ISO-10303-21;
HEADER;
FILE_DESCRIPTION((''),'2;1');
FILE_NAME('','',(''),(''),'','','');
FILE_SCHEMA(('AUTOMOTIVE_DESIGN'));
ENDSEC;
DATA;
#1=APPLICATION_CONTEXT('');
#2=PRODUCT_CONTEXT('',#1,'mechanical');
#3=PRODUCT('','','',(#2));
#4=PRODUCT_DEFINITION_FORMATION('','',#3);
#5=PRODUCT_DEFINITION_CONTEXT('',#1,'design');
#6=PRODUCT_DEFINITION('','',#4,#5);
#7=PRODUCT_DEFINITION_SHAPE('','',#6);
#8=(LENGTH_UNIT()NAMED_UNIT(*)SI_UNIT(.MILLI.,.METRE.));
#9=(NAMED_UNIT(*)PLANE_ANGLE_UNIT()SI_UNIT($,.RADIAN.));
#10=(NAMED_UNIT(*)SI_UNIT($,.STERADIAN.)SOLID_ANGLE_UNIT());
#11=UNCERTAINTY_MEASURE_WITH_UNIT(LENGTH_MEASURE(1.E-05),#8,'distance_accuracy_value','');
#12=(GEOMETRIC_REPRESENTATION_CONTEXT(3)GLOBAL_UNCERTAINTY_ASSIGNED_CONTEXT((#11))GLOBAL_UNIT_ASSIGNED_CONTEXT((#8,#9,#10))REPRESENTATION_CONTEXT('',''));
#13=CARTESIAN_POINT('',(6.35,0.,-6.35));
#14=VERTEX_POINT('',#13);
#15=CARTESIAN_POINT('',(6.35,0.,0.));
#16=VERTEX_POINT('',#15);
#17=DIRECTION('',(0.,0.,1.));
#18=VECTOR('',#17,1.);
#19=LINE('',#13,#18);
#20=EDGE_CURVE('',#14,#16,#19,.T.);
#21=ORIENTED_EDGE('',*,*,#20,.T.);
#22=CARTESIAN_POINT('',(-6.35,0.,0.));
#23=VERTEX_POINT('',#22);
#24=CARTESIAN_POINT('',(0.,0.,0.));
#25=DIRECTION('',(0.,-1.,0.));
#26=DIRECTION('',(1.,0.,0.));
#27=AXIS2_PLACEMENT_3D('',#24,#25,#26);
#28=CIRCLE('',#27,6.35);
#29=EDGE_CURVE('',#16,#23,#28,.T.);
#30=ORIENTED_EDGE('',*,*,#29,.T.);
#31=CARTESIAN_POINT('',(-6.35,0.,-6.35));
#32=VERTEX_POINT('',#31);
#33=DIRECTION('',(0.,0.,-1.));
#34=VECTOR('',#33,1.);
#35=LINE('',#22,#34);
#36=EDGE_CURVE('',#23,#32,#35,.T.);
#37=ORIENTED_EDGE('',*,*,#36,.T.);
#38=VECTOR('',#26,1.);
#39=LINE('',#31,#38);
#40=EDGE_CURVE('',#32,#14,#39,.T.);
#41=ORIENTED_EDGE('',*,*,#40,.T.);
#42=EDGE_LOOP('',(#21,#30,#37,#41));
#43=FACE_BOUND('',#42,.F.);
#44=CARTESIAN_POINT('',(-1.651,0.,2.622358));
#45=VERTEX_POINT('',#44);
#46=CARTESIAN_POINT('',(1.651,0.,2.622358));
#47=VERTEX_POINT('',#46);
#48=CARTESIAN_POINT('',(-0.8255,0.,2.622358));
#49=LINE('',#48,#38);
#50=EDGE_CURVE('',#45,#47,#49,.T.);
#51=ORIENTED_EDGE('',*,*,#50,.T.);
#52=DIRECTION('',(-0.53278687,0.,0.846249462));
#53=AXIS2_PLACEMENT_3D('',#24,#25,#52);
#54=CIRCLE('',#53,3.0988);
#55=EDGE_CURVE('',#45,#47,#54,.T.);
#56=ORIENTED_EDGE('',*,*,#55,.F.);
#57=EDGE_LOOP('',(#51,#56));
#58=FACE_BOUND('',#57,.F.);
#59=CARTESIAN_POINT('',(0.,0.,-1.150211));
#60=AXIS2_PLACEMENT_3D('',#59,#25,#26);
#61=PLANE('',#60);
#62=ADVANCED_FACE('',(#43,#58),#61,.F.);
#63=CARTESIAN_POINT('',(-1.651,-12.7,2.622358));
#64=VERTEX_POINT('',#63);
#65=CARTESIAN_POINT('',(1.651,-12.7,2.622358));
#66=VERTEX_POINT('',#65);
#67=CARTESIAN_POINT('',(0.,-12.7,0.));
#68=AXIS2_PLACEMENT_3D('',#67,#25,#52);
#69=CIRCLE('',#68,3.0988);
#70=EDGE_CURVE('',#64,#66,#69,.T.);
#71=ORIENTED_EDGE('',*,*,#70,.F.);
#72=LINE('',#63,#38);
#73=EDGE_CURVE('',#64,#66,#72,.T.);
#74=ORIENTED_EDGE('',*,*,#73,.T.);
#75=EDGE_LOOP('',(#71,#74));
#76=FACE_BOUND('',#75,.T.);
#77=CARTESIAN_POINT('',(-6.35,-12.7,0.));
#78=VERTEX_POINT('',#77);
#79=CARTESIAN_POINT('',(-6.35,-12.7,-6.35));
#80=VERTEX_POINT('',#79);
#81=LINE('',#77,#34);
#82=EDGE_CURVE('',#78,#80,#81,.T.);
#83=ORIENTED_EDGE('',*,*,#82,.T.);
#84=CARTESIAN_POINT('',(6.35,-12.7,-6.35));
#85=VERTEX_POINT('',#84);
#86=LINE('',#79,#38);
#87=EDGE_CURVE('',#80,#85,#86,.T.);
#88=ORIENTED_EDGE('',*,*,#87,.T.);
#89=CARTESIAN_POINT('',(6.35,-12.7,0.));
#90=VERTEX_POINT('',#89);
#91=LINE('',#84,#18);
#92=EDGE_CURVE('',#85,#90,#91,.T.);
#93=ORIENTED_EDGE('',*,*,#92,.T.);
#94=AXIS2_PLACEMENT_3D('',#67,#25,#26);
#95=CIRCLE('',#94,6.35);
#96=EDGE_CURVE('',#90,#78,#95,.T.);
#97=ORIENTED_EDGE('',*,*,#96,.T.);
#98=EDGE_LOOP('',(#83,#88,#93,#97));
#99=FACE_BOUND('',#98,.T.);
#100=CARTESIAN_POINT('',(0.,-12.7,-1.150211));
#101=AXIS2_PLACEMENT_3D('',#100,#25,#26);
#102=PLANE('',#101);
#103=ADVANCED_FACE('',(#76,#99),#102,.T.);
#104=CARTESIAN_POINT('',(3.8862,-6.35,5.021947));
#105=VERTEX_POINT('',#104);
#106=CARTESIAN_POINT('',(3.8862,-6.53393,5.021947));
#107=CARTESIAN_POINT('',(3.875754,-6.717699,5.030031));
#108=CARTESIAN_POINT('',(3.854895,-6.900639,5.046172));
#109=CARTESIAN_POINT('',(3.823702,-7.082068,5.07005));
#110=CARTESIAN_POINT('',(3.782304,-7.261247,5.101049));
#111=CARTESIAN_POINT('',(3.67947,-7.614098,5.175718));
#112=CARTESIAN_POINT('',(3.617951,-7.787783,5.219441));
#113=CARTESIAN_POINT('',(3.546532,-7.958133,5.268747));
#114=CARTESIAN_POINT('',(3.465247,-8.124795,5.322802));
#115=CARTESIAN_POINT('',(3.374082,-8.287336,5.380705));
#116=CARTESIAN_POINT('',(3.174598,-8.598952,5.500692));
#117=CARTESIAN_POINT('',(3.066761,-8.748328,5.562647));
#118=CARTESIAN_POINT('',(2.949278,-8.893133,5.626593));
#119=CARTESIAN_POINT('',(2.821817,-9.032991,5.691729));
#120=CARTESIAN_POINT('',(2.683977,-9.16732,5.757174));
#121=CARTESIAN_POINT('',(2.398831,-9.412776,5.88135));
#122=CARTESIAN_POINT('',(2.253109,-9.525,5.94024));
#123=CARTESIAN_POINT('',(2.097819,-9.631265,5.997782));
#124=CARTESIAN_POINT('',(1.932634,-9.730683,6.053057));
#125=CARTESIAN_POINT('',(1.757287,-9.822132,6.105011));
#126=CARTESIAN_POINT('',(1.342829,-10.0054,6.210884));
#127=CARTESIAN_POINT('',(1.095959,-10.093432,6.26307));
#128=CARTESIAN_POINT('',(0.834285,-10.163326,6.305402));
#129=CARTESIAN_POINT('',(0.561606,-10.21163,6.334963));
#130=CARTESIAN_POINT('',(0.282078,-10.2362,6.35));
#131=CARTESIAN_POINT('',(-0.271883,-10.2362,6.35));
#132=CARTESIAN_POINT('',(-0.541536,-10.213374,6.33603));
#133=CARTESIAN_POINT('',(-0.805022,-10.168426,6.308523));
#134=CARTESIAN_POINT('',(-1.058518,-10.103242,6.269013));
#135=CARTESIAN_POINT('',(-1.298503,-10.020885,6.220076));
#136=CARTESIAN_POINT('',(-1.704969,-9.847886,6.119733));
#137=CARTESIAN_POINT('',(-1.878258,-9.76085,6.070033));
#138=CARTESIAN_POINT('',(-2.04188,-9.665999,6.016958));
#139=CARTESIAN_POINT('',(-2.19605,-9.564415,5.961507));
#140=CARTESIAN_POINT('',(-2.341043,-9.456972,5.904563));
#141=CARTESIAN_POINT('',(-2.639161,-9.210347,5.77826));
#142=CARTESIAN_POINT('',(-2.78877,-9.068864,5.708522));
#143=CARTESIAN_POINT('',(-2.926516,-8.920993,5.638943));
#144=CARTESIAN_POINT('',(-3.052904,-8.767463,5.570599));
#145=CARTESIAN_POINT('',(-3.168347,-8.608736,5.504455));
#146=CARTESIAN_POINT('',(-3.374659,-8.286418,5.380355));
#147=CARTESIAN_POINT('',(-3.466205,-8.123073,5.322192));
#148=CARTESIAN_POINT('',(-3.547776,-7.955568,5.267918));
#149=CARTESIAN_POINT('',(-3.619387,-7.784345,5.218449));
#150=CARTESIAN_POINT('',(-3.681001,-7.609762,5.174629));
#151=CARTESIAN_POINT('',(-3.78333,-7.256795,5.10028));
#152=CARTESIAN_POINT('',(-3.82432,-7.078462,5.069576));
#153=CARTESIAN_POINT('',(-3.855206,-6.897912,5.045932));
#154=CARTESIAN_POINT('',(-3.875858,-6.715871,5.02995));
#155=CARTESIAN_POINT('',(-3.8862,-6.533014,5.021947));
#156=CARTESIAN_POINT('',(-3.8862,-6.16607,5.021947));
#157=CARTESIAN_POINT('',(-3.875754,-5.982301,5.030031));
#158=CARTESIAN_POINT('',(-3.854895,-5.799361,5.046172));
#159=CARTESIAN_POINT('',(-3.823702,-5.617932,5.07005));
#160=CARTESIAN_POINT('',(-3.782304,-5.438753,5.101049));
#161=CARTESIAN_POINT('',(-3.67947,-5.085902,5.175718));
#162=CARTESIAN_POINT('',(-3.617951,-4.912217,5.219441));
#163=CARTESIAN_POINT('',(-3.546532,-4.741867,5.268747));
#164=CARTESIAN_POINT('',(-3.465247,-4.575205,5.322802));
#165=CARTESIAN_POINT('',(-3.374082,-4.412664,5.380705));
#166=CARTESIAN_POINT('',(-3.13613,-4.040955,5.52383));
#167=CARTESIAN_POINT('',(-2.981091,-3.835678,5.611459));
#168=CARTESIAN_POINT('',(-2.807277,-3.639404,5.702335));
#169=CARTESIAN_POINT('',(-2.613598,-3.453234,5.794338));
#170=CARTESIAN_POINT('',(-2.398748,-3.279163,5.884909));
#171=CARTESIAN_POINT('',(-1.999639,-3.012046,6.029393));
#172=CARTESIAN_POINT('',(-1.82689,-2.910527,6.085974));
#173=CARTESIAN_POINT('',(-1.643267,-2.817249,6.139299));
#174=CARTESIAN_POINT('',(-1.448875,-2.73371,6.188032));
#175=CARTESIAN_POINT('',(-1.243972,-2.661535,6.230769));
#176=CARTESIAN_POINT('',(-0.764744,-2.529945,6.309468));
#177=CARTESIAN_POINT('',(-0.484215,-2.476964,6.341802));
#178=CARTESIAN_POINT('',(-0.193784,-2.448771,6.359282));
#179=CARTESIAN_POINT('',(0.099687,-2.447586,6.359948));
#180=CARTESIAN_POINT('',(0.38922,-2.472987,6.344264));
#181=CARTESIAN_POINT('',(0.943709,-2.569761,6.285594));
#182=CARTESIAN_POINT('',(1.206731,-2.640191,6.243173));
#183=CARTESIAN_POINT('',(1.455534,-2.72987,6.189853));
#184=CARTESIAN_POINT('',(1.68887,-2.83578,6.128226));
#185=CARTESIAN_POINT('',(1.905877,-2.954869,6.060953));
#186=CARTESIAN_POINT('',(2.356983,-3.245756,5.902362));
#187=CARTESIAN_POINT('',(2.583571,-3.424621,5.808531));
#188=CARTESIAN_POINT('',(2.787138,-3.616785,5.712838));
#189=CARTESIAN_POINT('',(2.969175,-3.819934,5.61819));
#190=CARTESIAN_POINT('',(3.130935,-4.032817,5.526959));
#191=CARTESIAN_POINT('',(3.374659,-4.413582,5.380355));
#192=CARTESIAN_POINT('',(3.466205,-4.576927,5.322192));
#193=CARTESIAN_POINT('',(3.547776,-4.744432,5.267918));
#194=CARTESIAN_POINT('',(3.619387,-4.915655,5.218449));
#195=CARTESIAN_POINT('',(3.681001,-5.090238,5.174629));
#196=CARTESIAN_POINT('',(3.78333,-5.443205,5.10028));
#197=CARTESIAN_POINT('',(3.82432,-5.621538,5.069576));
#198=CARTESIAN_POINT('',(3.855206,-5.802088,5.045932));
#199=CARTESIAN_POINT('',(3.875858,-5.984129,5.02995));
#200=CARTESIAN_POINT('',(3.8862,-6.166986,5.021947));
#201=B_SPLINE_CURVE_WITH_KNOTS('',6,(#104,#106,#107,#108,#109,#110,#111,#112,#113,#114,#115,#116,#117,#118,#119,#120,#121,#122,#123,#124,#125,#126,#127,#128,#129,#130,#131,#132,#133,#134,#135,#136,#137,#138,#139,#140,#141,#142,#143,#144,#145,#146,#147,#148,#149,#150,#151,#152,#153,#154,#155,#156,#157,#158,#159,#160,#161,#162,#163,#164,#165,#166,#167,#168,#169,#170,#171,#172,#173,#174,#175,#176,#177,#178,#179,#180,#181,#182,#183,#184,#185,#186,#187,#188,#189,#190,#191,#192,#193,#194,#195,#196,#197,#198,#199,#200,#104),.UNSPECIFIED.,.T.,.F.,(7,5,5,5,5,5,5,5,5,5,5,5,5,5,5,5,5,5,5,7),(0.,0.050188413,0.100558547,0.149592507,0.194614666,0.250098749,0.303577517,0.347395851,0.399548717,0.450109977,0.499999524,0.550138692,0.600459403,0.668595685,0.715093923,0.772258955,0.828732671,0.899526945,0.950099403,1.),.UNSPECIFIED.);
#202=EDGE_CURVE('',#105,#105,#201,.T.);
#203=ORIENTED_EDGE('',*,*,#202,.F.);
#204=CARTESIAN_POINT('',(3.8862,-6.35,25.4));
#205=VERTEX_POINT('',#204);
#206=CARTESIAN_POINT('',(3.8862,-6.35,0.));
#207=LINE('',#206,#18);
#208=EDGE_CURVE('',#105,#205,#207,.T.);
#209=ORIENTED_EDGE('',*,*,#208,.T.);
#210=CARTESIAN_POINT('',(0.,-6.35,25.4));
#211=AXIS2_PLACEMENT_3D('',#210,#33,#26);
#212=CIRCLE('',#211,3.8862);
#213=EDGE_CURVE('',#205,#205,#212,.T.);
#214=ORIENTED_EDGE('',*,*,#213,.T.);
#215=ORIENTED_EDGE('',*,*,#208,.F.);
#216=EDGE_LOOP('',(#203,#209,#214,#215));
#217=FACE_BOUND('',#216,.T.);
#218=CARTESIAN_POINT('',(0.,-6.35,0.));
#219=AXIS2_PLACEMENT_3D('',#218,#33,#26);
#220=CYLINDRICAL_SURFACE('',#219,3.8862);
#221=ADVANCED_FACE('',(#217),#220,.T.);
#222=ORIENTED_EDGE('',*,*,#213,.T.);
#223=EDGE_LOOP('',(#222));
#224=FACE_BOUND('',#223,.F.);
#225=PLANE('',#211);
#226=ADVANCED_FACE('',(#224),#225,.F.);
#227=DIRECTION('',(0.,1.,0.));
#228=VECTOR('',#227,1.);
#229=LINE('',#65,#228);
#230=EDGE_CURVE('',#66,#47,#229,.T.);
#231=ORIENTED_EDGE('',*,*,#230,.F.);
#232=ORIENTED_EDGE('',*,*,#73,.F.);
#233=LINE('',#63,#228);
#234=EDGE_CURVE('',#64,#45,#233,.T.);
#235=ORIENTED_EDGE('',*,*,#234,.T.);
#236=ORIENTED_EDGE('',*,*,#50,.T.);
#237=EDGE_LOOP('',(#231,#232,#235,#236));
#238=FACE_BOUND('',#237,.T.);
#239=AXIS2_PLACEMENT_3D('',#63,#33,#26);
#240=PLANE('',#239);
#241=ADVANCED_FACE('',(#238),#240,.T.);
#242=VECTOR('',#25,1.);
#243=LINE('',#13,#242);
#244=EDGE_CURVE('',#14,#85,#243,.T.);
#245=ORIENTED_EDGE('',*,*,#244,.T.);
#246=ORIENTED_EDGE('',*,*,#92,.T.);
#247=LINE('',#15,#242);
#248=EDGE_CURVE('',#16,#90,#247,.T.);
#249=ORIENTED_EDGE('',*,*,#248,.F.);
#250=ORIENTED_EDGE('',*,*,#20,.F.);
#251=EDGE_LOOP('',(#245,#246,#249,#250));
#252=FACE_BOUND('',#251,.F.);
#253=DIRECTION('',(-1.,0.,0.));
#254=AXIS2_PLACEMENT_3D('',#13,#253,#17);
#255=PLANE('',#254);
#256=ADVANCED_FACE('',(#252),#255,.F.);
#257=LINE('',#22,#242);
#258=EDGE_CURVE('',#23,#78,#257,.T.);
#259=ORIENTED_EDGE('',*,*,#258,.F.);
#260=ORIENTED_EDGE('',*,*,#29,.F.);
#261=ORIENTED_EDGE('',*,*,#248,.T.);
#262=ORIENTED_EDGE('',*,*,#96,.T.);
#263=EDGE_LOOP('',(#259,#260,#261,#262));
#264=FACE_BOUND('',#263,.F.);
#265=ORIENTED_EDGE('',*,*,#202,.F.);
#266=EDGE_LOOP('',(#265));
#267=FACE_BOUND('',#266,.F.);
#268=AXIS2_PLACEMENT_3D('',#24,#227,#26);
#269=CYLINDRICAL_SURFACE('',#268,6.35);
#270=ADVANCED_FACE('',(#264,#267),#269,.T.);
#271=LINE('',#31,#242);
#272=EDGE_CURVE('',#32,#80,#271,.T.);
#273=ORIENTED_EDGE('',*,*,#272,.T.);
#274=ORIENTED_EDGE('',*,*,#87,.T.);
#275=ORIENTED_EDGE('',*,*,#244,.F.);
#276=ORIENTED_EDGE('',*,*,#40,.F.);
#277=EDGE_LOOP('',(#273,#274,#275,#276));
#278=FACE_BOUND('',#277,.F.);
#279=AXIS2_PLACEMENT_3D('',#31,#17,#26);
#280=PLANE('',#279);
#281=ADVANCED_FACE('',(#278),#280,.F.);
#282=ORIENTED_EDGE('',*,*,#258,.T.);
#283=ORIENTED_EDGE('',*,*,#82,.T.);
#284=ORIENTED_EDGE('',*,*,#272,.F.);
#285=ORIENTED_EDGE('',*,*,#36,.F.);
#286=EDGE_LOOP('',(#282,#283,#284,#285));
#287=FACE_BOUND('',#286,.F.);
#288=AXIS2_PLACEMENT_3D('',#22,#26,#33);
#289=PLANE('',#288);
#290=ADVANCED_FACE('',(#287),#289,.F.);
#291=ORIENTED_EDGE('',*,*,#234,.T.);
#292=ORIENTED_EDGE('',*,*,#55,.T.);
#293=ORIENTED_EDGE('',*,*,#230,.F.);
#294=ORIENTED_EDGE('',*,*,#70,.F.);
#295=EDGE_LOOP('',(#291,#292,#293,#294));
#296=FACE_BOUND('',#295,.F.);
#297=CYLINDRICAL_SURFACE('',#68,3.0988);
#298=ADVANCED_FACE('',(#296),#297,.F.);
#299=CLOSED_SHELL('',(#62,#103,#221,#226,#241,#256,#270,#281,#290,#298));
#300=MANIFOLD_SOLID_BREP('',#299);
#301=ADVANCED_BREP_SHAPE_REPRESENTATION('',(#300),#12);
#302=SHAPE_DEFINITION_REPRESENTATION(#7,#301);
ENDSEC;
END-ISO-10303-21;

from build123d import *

# Parameters (mm, degrees)
PAD015_DEPTH    = 12.7
SKETCH033_R     = 3.8862
PAD016_DEPTH    = 25.4
POCKET016_DEPTH = 12.701


with BuildPart() as part:
    # Sketch032 → Pad015 (new body)
    with BuildSketch(Plane.XZ):
        with BuildLine():
            ThreePointArc((6.35, 0), (0, 6.35), (-6.35, 0))
            Line((-6.35, 0), (-6.35, -6.35))
            Line((-6.35, -6.35), (6.35, -6.35))
            Line((6.35, -6.35), (6.35, 0))
        make_face()
    extrude(amount=PAD015_DEPTH)

    # Sketch033 (on DatumPlane) → Pad016 (join)
    with BuildSketch(Plane(origin=(0, 0, 0), x_dir=(1, 0, 0), z_dir=(0, 0, -1))):
        with Locations((0, 6.35)):
            Circle(SKETCH033_R)
    extrude(amount=-PAD016_DEPTH)

    # Sketch034 (on Face4 of Pad016) → Pocket016 (cut, through all)
    with BuildSketch(Plane.XZ.offset(12.7)):
        with BuildLine():
            ThreePointArc((-1.651, 2.622358), (0, -3.0988), (1.651, 2.622358))
            Line((-1.651, 2.622358), (1.651, 2.622358))
        make_face()
    extrude(amount=-POCKET016_DEPTH, mode=Mode.SUBTRACT)


solid = part.part
